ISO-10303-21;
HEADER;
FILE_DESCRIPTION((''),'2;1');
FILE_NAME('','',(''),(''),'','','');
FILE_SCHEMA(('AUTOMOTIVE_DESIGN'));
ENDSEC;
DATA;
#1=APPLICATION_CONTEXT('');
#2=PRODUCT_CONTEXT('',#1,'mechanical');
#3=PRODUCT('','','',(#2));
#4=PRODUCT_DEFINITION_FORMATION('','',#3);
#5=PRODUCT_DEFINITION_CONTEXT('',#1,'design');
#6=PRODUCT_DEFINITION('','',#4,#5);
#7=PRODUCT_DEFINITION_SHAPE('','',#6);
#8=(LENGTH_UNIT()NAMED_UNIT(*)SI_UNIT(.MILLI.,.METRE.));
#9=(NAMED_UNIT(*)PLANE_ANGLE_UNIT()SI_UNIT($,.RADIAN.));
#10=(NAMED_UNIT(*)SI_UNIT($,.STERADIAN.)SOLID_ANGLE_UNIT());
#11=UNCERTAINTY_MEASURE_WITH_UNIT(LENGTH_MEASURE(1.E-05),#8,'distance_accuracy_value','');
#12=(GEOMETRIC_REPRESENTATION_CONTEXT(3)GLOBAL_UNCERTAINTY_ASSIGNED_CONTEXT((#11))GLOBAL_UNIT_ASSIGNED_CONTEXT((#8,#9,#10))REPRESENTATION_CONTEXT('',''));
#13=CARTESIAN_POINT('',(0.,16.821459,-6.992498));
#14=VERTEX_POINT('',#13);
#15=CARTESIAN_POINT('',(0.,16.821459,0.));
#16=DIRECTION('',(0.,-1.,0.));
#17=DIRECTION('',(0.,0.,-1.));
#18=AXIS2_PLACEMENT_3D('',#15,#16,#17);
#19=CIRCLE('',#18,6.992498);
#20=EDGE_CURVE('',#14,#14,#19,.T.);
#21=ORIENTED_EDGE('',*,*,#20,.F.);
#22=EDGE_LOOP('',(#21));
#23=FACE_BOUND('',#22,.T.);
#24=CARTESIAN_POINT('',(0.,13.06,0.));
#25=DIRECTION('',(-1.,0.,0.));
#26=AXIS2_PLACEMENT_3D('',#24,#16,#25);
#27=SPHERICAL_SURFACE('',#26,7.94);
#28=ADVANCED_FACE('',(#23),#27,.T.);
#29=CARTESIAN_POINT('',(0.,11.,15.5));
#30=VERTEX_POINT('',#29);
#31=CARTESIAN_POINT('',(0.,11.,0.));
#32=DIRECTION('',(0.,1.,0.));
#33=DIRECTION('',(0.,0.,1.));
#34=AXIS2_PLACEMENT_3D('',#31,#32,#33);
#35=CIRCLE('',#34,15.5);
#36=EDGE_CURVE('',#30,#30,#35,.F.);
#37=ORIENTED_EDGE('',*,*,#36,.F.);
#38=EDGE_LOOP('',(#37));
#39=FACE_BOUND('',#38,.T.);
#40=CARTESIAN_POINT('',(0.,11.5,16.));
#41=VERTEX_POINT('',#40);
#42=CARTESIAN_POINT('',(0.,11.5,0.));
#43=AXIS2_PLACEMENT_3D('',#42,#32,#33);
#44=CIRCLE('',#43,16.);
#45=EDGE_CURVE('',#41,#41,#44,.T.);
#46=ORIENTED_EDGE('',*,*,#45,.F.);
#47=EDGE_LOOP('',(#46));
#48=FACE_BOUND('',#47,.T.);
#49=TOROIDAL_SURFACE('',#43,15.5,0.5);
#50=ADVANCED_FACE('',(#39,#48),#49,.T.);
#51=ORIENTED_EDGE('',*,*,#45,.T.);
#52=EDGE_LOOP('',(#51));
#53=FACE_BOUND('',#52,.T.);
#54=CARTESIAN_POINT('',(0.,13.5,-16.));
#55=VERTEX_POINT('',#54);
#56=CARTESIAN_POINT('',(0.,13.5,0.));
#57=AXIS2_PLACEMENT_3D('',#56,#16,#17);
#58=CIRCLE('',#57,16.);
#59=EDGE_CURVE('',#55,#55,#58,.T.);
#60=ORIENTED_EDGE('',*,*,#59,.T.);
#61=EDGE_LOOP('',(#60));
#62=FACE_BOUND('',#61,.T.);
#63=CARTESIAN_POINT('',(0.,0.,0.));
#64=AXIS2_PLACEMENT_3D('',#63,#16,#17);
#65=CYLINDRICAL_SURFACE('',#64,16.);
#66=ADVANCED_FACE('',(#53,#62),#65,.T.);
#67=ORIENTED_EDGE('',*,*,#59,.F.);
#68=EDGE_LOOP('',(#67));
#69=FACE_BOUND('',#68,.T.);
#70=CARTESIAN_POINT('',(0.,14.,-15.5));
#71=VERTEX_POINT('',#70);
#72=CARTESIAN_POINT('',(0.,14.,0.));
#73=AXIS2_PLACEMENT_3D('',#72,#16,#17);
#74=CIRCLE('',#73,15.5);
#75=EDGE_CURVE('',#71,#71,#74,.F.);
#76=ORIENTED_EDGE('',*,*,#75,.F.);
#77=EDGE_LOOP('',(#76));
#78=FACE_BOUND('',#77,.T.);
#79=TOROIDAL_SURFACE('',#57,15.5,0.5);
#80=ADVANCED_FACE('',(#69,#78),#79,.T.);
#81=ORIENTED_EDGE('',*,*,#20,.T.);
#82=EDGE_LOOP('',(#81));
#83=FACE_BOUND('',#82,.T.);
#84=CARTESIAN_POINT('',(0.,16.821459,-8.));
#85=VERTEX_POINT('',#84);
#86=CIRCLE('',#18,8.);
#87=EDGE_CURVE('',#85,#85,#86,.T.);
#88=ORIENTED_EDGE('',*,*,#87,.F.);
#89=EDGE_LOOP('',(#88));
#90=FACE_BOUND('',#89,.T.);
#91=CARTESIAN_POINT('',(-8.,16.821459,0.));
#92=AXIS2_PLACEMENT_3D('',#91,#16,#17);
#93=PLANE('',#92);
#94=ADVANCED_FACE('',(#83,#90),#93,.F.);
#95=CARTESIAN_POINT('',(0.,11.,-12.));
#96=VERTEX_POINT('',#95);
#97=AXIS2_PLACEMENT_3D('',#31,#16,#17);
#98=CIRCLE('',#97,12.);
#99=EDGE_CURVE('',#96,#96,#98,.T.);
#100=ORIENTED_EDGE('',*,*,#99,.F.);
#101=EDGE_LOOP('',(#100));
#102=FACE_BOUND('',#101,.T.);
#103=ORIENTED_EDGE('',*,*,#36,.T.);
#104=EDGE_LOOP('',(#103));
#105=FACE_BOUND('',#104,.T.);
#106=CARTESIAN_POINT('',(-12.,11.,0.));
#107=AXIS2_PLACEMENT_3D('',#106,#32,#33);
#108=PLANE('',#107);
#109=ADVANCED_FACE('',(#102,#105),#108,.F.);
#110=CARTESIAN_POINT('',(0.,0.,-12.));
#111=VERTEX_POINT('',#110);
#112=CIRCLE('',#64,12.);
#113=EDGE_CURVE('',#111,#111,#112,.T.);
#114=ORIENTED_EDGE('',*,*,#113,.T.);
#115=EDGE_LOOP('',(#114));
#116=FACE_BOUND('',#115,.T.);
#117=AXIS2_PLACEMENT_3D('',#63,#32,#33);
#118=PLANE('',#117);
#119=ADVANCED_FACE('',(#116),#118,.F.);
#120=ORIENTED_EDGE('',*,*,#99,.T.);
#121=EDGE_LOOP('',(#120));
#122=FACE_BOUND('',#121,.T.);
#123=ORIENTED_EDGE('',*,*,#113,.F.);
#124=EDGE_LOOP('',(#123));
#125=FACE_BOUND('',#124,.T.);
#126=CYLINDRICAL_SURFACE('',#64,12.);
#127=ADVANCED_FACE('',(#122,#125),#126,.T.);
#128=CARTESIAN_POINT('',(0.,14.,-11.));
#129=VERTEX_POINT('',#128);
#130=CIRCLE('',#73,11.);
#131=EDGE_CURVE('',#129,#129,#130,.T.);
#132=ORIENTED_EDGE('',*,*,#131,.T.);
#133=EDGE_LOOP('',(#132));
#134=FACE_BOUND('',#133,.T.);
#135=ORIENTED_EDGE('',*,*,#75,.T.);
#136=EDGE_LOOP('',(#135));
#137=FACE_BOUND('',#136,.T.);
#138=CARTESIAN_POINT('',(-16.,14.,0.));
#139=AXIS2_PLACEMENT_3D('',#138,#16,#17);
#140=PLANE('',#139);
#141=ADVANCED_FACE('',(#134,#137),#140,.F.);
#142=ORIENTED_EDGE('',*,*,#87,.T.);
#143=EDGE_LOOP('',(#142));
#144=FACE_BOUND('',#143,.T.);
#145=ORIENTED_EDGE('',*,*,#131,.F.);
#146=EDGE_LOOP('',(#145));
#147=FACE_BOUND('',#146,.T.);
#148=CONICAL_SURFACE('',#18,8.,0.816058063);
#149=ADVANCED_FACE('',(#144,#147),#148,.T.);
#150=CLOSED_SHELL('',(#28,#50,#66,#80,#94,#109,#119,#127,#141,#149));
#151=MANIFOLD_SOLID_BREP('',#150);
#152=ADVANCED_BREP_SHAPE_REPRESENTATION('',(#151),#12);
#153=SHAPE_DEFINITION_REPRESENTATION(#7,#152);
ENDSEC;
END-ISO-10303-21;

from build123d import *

# Parameters (mm, degrees)
CONG_1_R = 0.5


with BuildPart() as part:
    # Esquisse1 → Révolution1 (revolve)
    with BuildSketch(Plane.XY, mode=Mode.PRIVATE) as r_volution1_sk:
        with BuildLine():
            Line((0, 0), (-12, 0))
            Line((-12, 0), (-12, 11))
            Line((-12, 11), (-16, 11))
            Line((-16, 11), (-16, 14))
            Line((-16, 14), (-11, 14))
            Line((-11, 14), (-8, 16.821458712))
            Line((-8, 16.821458712), (-6.992498005, 16.821458712))
            ThreePointArc((-6.992498005, 16.821458712), (-4.072936154, 19.875775164), (0, 21))
            Line((0, 21), (0, 0))
        make_face()
    revolve(r_volution1_sk.sketch.rotate(Axis((0, 0, 0), (0, 1, 0)), 270), axis=Axis((0, 0, 0), (0, 1, 0)))

    # Congé1
    cong_1_edges = [part.edges().sort_by_distance(p)[0] for p in [
        (0, 11, 16),
        (0, 14, 16),
    ]]
    fillet(cong_1_edges, radius=CONG_1_R)


solid = part.part
